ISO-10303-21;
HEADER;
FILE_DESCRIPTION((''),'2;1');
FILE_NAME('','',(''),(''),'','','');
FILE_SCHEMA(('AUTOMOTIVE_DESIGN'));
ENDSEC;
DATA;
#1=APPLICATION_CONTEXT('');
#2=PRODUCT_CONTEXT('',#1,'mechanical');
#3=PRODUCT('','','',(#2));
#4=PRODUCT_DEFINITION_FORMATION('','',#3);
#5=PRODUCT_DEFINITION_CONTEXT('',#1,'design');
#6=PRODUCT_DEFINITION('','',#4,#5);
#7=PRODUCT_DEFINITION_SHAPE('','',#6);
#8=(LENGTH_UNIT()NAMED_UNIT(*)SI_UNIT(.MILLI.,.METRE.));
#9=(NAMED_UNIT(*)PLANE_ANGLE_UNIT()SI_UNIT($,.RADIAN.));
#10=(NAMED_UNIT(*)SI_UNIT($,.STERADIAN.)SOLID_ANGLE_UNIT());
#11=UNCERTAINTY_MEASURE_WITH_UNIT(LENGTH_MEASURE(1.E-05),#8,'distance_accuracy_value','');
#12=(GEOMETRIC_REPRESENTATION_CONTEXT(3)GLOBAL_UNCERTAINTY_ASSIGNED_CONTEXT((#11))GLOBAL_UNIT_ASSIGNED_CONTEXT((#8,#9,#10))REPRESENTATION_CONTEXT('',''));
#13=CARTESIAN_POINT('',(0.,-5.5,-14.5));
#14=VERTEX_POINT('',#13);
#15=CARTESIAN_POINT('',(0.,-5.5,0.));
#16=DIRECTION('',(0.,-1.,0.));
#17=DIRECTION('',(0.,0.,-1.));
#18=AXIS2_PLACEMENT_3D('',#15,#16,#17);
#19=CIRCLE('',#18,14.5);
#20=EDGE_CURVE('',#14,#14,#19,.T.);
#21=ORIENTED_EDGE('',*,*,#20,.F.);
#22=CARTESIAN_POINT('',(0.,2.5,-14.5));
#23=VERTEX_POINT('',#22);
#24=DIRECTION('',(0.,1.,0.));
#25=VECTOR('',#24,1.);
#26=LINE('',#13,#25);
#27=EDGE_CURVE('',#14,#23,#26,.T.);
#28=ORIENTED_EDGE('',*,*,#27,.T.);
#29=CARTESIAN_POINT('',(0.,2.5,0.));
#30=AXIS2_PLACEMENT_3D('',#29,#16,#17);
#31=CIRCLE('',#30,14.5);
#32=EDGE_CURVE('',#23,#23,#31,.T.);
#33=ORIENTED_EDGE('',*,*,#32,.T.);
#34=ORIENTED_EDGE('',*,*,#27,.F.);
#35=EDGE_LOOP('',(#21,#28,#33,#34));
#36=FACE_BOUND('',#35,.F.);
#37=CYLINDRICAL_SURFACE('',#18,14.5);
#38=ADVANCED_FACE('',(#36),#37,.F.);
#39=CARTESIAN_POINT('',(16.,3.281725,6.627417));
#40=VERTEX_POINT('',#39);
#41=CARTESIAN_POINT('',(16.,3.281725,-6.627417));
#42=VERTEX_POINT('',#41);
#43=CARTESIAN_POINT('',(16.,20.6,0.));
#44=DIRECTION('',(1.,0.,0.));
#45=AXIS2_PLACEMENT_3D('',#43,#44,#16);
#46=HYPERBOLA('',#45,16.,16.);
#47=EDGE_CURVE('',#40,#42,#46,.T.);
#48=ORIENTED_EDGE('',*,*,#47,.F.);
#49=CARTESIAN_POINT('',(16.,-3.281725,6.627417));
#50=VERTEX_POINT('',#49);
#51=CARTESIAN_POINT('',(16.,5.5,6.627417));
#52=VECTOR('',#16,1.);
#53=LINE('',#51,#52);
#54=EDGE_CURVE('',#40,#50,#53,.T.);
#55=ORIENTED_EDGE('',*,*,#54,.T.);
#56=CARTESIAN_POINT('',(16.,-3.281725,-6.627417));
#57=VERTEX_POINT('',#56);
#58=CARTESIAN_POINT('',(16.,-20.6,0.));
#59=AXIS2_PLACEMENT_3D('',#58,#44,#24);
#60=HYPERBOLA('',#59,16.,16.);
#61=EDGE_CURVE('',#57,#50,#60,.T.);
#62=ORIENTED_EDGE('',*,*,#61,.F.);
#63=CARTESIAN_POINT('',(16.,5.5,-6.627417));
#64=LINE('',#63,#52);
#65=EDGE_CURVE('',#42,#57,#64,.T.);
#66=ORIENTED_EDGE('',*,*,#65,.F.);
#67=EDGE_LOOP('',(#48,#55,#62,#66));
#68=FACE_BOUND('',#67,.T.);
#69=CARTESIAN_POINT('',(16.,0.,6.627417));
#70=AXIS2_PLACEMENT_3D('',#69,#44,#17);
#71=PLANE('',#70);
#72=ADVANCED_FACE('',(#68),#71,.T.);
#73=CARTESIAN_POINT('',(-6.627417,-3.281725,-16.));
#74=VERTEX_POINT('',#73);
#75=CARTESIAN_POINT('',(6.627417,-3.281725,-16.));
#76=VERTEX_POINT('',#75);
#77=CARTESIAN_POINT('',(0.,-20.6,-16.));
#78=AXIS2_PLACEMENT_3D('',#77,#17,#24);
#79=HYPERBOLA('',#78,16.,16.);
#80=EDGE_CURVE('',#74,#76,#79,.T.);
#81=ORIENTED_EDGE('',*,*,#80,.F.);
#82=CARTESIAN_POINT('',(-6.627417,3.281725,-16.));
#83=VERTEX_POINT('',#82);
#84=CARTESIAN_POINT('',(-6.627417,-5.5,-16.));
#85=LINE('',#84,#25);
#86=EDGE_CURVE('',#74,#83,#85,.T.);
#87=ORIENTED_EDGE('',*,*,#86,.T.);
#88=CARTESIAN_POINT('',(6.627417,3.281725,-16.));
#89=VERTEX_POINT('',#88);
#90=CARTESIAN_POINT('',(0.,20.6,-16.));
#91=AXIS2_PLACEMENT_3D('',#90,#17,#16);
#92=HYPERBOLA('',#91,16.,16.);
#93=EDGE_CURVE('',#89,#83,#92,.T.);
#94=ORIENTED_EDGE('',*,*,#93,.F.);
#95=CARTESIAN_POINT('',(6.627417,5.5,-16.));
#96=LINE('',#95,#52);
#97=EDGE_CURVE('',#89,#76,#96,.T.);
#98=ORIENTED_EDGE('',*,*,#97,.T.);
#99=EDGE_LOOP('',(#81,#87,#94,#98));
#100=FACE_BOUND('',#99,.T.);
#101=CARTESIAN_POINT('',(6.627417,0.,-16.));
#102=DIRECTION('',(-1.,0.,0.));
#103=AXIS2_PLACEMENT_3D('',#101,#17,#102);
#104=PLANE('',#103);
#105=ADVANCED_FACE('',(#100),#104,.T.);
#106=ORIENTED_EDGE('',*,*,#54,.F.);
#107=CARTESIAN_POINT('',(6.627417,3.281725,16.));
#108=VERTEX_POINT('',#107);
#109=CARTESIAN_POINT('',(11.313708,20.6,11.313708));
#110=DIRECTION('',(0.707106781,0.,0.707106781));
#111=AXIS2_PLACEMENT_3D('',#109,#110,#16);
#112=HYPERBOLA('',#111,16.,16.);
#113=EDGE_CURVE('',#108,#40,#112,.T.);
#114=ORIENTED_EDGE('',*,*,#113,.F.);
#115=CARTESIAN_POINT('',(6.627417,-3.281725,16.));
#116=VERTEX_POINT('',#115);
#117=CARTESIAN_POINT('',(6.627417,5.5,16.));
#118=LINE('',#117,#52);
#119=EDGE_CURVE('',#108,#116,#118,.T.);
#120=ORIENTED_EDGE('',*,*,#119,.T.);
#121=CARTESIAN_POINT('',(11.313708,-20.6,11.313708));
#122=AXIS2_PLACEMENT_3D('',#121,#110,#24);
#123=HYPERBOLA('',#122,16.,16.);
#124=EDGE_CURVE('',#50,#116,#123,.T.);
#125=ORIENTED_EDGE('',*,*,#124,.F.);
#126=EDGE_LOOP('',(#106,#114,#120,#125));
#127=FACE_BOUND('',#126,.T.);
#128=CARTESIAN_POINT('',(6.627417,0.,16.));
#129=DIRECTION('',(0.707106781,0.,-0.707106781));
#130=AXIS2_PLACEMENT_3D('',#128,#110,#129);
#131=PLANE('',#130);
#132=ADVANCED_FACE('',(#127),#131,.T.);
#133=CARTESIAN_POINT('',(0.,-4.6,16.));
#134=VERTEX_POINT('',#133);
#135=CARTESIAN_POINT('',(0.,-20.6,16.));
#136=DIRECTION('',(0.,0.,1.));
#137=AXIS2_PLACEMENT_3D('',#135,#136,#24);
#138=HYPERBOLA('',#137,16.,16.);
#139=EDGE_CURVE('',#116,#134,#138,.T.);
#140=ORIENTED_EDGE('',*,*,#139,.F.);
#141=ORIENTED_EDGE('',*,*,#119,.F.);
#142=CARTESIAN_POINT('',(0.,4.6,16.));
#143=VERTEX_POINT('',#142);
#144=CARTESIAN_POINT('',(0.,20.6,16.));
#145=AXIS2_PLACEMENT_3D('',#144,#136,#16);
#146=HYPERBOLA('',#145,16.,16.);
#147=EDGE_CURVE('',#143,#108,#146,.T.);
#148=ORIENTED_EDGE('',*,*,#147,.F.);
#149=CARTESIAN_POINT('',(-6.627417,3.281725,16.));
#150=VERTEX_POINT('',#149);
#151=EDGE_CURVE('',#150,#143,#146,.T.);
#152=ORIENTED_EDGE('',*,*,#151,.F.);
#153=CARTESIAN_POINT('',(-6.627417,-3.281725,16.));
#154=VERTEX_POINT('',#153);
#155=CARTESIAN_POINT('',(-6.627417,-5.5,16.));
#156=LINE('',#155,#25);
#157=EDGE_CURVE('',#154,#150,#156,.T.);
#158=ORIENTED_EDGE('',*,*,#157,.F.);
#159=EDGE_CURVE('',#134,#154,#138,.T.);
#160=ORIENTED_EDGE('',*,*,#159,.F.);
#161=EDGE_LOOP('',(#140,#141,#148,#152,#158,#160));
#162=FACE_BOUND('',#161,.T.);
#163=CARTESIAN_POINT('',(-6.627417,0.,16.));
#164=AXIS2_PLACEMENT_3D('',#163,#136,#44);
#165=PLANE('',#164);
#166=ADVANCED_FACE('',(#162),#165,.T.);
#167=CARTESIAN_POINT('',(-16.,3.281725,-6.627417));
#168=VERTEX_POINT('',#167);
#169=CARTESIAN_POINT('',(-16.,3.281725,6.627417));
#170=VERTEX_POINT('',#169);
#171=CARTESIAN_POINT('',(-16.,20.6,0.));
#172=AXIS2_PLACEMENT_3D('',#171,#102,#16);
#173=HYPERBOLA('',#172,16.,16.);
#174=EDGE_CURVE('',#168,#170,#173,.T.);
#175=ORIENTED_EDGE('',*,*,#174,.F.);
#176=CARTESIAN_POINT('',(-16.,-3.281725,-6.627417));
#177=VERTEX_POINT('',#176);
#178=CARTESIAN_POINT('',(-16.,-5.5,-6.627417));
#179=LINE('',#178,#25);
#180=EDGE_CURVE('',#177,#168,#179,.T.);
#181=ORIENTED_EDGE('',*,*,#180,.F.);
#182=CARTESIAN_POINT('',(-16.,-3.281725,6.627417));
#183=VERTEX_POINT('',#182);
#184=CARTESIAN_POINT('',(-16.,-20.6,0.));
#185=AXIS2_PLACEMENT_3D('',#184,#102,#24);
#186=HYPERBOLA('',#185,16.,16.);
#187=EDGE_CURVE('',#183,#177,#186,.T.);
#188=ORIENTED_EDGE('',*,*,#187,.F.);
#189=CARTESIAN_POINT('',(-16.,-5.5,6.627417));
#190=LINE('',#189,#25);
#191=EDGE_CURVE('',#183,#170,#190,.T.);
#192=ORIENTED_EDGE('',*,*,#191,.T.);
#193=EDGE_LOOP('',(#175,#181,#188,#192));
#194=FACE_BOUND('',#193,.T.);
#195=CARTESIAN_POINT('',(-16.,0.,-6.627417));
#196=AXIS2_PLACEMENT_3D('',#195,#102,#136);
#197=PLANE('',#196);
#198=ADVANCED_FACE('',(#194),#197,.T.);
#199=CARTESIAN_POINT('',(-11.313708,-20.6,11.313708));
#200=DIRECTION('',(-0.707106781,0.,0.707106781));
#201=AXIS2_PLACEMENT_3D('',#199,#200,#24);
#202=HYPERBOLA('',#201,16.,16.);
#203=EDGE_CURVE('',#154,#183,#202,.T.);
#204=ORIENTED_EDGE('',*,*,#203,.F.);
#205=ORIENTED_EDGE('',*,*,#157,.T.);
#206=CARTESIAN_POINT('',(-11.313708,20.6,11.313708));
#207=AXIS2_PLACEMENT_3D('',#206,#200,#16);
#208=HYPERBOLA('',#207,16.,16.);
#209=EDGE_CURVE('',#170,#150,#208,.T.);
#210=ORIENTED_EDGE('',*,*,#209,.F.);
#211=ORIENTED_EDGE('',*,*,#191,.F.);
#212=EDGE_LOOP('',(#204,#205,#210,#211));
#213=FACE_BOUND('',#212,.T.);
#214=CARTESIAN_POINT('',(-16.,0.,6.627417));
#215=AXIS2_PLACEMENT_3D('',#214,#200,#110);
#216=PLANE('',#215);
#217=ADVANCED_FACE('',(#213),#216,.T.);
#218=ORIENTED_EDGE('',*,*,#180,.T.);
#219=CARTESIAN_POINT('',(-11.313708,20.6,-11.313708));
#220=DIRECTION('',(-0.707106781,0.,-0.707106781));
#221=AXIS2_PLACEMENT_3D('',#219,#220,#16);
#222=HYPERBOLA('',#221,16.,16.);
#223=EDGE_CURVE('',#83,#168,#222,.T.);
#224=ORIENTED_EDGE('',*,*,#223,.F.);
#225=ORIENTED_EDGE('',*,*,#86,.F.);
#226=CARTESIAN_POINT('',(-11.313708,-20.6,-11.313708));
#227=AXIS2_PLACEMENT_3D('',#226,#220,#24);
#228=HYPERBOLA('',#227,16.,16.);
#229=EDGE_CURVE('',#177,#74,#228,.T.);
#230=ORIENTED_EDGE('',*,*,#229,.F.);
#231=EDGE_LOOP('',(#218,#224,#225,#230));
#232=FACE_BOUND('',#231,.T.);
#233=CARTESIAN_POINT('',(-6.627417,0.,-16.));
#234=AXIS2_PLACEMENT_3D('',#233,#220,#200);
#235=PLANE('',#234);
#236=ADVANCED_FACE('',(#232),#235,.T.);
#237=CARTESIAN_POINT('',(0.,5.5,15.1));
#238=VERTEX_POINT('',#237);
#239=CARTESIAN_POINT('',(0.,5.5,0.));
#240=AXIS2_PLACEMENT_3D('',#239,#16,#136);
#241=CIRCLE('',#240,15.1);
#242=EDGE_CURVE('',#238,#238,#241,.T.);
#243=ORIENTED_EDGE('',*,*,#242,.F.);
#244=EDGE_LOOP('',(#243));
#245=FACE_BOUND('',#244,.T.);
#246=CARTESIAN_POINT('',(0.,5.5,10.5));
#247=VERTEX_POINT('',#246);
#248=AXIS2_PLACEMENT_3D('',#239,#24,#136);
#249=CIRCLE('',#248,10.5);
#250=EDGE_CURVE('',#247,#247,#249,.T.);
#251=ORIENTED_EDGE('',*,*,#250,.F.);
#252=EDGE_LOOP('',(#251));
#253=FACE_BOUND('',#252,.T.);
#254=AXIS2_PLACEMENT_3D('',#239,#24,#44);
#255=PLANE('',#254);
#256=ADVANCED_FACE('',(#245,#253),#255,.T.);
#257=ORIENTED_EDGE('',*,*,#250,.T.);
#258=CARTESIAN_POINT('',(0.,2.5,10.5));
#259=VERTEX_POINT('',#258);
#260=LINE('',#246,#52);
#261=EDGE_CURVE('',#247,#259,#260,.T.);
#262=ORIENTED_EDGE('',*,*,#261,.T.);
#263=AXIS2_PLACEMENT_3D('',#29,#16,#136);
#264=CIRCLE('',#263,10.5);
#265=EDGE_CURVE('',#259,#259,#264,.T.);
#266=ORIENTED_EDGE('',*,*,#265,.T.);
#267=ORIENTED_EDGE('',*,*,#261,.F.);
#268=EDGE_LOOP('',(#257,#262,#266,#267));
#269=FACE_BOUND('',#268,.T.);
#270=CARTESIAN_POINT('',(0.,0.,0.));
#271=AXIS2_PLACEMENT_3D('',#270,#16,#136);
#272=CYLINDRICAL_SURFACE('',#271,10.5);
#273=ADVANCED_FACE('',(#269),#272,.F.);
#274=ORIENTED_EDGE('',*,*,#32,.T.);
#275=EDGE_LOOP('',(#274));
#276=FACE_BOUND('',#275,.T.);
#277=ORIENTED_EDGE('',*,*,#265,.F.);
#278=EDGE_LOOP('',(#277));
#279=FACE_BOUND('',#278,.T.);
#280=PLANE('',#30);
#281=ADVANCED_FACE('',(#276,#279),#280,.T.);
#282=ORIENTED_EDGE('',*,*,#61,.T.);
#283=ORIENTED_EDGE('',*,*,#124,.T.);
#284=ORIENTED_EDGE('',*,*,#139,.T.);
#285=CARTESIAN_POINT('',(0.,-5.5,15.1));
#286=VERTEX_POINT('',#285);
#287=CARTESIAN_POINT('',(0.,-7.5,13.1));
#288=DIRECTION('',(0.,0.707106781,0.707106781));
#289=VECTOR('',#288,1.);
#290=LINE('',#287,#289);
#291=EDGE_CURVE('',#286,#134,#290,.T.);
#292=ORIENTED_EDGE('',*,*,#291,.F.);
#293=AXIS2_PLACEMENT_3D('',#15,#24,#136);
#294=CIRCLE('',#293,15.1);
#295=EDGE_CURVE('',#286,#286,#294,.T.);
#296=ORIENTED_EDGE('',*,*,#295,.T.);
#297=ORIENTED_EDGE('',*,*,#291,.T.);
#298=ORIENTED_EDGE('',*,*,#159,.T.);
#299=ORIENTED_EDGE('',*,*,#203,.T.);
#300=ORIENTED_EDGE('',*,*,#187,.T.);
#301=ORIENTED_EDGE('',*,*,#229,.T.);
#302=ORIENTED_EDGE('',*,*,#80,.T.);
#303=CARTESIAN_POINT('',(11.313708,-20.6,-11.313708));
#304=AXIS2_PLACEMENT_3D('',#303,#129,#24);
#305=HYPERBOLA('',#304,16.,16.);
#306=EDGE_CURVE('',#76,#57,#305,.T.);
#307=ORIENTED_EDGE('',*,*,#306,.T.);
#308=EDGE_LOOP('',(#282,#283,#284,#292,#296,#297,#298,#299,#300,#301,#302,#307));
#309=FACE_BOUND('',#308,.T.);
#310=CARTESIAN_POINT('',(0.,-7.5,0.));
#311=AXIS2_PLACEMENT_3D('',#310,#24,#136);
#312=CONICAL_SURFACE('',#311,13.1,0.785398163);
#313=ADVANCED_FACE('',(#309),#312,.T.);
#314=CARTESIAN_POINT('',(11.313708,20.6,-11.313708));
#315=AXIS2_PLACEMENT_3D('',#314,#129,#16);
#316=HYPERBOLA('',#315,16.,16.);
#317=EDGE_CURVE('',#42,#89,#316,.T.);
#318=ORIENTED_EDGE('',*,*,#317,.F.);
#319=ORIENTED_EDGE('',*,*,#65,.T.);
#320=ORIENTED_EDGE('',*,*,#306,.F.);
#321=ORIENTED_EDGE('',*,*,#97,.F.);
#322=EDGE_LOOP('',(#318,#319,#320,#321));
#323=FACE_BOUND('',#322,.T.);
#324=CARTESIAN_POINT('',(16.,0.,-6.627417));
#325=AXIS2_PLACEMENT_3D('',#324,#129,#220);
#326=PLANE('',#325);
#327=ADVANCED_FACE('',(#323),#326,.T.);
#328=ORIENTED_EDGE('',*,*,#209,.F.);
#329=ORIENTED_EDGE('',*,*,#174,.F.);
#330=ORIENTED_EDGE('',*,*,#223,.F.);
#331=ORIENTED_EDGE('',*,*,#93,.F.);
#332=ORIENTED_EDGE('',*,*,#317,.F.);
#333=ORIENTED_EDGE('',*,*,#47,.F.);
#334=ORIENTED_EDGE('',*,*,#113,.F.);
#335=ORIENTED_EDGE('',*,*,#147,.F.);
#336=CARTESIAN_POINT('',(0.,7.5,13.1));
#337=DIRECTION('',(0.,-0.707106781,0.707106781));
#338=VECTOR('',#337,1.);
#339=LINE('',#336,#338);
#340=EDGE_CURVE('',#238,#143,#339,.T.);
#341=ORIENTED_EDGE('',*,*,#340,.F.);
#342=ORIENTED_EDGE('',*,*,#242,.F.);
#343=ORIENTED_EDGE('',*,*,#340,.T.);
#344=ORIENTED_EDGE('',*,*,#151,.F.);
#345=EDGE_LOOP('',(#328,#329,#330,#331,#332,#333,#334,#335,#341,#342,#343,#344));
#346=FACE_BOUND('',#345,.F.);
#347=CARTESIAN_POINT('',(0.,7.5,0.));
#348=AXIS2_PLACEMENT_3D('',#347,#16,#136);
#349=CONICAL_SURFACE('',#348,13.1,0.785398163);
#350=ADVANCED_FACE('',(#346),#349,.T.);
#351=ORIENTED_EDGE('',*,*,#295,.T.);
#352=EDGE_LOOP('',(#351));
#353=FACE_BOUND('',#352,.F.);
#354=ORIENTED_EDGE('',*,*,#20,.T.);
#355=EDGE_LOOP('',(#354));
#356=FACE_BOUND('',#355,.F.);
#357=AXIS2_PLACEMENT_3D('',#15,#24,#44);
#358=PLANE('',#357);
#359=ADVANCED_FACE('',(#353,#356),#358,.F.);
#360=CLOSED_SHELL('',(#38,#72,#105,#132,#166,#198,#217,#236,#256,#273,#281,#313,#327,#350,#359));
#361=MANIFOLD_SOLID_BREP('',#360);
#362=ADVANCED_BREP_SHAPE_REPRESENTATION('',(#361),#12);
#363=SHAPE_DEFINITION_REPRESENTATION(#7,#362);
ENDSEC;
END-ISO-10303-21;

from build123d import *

# Parameters (mm, degrees)
SKETCH1_R           = 10.5
BOSS_EXTRUDE1_DEPTH = 5.5
SKETCH3_R           = 14.5
CUT_EXTRUDE1_DEPTH  = 8


with BuildPart() as part:
    # Sketch1 → Boss-Extrude1 (new, symmetric)
    with BuildSketch(Plane(origin=(0, 0, 0), x_dir=(1, 0, 0), z_dir=(0, 1, 0))):
        Polygon((6.627416998, 16), (-6.627416998, 16), (-16, 6.627416998), (-16, -6.627416998), (-6.627416998, -16), (6.627416998, -16), (16, -6.627416998), (16, 6.627416998), align=None)
        with Locations(Location((0, 0, 0), (0, 0, 270))):
            Circle(SKETCH1_R, mode=Mode.SUBTRACT)
    extrude(amount=BOSS_EXTRUDE1_DEPTH, both=True)

    # Sketch2 → Cut-Revolve1 (revolve, cut)
    with BuildSketch(Plane.XY, mode=Mode.PRIVATE) as cut_revolve1_sk:
        Polygon((-18.5, 2.1), (-18.5, 7.5), (-13.1, 7.5), align=None)
        Polygon((-13.1, -7.5), (-18.5, -2.1), (-18.5, -7.5), align=None)
    revolve(cut_revolve1_sk.sketch.rotate(Axis((0, 0, 0), (0, 1, 0)), 90), axis=Axis((0, 0, 0), (0, 1, 0)), mode=Mode.SUBTRACT)

    # Sketch3 → Cut-Extrude1 (cut)
    with BuildSketch(Plane.XZ.offset(5.5)):
        with Locations(Location((0, 0, 0), (0, 0, 270))):
            Circle(SKETCH3_R)
    extrude(amount=-CUT_EXTRUDE1_DEPTH, mode=Mode.SUBTRACT)


solid = part.part
